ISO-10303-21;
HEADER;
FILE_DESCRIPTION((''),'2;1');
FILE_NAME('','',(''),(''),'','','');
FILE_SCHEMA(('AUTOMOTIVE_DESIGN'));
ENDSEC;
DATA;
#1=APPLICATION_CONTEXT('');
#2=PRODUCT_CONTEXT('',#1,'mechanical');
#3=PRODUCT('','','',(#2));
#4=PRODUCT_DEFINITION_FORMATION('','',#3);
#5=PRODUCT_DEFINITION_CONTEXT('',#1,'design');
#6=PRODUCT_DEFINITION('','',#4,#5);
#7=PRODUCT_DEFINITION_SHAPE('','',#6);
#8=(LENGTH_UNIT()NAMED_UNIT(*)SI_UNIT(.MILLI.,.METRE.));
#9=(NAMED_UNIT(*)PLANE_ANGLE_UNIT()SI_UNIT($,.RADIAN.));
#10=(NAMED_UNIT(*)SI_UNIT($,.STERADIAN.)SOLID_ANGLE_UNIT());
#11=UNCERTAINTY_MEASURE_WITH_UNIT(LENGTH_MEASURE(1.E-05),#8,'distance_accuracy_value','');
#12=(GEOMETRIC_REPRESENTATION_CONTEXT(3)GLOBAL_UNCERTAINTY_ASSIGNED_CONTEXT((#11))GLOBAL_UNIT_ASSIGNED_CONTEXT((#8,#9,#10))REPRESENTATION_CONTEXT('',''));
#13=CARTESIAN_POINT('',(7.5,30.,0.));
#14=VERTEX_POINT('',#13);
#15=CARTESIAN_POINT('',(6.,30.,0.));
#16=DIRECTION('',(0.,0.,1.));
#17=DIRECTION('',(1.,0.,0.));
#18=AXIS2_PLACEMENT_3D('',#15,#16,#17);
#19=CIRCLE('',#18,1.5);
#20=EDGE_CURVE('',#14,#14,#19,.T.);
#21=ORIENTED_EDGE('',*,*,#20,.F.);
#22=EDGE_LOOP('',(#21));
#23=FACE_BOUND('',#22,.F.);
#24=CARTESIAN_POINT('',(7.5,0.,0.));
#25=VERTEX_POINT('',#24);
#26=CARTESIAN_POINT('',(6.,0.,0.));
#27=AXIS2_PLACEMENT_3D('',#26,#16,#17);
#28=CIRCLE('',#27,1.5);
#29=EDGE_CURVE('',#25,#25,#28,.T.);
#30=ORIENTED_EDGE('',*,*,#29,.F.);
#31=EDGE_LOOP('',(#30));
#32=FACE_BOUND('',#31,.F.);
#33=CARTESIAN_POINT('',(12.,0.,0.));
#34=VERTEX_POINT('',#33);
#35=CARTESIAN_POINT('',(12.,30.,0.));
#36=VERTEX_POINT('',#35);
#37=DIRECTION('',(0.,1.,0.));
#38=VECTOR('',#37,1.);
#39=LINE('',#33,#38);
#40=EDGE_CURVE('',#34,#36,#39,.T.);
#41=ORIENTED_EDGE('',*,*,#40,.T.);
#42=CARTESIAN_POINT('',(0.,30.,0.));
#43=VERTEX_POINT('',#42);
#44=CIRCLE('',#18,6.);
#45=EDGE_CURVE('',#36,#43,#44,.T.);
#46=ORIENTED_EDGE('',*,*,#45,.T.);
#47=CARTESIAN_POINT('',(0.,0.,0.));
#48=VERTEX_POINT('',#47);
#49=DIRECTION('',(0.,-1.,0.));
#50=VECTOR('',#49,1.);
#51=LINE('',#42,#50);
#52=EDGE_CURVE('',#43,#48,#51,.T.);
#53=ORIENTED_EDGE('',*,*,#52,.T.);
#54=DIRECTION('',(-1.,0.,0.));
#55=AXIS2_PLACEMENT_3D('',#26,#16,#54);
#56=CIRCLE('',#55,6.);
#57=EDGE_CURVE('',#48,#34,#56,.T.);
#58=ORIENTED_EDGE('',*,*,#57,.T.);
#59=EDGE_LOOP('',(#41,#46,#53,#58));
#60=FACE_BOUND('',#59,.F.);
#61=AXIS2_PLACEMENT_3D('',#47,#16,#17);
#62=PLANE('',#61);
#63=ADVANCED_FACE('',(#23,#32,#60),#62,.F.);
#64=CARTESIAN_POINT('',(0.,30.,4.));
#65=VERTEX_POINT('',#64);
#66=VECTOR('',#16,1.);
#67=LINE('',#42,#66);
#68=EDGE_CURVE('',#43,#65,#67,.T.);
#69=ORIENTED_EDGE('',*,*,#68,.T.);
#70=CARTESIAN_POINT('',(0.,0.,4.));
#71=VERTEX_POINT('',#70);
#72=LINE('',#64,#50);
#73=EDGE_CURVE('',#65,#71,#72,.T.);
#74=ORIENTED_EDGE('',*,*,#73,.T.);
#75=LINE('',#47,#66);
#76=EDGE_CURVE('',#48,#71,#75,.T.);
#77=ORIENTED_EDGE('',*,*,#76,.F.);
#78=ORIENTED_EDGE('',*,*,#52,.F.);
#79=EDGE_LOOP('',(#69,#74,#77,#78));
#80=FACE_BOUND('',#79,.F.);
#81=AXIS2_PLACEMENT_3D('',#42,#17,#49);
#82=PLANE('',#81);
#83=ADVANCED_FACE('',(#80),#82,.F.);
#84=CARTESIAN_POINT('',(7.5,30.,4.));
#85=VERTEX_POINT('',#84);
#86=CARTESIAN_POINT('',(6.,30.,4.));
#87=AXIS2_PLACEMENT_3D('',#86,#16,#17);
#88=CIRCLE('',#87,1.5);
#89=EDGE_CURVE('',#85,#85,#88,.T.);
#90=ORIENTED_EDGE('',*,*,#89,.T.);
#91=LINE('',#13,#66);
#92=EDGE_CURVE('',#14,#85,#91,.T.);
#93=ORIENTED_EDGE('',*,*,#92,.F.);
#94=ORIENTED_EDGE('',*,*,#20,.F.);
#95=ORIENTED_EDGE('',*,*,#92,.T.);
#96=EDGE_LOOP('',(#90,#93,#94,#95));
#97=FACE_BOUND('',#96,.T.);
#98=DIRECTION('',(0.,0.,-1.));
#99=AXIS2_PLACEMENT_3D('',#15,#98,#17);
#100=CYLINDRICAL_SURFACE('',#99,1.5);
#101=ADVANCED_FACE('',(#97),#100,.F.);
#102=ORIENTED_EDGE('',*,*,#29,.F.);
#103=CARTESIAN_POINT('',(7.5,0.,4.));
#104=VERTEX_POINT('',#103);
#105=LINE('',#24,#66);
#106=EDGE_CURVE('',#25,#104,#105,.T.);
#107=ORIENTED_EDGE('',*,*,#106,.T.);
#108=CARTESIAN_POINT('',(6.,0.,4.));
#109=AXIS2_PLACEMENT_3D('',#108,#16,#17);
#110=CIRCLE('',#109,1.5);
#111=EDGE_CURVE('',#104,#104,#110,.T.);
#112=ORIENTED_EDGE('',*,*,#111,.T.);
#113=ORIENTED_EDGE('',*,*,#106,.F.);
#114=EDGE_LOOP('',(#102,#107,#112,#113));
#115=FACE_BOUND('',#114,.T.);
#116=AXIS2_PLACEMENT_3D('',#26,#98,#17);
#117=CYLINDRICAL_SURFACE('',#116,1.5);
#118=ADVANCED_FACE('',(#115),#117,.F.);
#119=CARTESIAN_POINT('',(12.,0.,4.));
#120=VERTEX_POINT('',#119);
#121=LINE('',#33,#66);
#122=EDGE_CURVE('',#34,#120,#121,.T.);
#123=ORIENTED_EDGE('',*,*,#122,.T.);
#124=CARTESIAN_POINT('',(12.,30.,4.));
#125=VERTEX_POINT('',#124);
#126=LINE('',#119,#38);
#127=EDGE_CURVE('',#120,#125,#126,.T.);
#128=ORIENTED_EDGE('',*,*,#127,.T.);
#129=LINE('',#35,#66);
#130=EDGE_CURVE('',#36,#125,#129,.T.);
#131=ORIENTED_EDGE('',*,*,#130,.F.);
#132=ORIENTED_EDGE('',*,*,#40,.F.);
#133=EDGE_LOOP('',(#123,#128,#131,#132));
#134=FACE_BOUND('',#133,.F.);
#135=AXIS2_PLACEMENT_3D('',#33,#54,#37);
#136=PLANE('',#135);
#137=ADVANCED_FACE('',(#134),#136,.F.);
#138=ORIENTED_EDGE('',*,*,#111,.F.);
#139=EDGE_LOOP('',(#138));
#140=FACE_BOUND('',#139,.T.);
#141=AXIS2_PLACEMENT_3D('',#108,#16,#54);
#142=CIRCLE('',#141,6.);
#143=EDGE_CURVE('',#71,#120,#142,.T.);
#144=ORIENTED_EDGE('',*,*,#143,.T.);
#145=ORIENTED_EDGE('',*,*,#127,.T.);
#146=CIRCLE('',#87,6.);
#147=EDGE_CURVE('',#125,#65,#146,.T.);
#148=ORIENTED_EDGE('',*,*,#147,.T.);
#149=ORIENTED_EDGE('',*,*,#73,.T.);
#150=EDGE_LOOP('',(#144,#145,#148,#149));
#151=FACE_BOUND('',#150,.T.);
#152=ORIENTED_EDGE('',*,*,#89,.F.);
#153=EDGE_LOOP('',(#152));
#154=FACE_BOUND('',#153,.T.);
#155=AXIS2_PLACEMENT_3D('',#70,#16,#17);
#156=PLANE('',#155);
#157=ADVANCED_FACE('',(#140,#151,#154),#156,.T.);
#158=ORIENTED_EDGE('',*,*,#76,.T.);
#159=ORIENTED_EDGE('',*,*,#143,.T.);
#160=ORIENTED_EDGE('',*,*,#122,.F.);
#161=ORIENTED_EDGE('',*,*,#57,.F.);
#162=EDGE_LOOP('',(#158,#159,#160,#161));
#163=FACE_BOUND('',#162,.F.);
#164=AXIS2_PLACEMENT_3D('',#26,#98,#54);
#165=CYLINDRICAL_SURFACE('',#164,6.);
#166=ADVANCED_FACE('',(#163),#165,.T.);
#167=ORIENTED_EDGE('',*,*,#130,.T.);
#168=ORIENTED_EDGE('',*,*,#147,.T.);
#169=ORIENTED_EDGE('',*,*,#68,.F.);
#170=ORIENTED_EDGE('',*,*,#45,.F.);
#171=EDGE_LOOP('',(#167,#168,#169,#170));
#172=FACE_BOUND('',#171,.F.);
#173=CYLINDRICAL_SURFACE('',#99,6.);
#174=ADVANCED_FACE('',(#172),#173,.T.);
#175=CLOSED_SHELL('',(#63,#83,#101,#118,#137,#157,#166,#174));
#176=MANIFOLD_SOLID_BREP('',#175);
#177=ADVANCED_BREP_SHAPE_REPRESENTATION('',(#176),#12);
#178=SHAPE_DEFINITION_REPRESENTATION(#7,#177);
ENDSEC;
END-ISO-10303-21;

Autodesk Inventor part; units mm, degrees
ref_plane "YZ Plane" through (0, 0, 0) normal (1, 0, 0) x (0, 1, 0)
ref_plane "XZ Plane" through (0, 0, 0) normal (0, 1, 0) x (-1, 0, 0)
ref_plane "XY Plane" through (0, 0, 0) normal (0, 0, 1) x (1, 0, 0)
sketch "Sketch1" plane through (0, 0, 0) normal (0, 0, 1) x (1, 0, 0)
  line L0 (0, 0) -> (12, 0) construction
  line L1 (12, 0) -> (12, 30)
  line L2 (12, 30) -> (0, 30) construction
  line L3 (0, 30) -> (0, 0)
  arc A0 (12, 30) -> (0, 30) centre (6, 30) ccw
  arc A1 (0, 0) -> (12, 0) centre (6, 0) ccw
  circle A2 centre (6, 30) radius 1.5
  circle A3 centre (6, 0) radius 1.5
  dimension "d0" = 12
  dimension "d1" = 30
  dimension "d2" = 3
  dimension "d3" = 3
extrude "Extrusion1" add sketch "Sketch1" along normal blind 4
properties part number "z axis arm1"
